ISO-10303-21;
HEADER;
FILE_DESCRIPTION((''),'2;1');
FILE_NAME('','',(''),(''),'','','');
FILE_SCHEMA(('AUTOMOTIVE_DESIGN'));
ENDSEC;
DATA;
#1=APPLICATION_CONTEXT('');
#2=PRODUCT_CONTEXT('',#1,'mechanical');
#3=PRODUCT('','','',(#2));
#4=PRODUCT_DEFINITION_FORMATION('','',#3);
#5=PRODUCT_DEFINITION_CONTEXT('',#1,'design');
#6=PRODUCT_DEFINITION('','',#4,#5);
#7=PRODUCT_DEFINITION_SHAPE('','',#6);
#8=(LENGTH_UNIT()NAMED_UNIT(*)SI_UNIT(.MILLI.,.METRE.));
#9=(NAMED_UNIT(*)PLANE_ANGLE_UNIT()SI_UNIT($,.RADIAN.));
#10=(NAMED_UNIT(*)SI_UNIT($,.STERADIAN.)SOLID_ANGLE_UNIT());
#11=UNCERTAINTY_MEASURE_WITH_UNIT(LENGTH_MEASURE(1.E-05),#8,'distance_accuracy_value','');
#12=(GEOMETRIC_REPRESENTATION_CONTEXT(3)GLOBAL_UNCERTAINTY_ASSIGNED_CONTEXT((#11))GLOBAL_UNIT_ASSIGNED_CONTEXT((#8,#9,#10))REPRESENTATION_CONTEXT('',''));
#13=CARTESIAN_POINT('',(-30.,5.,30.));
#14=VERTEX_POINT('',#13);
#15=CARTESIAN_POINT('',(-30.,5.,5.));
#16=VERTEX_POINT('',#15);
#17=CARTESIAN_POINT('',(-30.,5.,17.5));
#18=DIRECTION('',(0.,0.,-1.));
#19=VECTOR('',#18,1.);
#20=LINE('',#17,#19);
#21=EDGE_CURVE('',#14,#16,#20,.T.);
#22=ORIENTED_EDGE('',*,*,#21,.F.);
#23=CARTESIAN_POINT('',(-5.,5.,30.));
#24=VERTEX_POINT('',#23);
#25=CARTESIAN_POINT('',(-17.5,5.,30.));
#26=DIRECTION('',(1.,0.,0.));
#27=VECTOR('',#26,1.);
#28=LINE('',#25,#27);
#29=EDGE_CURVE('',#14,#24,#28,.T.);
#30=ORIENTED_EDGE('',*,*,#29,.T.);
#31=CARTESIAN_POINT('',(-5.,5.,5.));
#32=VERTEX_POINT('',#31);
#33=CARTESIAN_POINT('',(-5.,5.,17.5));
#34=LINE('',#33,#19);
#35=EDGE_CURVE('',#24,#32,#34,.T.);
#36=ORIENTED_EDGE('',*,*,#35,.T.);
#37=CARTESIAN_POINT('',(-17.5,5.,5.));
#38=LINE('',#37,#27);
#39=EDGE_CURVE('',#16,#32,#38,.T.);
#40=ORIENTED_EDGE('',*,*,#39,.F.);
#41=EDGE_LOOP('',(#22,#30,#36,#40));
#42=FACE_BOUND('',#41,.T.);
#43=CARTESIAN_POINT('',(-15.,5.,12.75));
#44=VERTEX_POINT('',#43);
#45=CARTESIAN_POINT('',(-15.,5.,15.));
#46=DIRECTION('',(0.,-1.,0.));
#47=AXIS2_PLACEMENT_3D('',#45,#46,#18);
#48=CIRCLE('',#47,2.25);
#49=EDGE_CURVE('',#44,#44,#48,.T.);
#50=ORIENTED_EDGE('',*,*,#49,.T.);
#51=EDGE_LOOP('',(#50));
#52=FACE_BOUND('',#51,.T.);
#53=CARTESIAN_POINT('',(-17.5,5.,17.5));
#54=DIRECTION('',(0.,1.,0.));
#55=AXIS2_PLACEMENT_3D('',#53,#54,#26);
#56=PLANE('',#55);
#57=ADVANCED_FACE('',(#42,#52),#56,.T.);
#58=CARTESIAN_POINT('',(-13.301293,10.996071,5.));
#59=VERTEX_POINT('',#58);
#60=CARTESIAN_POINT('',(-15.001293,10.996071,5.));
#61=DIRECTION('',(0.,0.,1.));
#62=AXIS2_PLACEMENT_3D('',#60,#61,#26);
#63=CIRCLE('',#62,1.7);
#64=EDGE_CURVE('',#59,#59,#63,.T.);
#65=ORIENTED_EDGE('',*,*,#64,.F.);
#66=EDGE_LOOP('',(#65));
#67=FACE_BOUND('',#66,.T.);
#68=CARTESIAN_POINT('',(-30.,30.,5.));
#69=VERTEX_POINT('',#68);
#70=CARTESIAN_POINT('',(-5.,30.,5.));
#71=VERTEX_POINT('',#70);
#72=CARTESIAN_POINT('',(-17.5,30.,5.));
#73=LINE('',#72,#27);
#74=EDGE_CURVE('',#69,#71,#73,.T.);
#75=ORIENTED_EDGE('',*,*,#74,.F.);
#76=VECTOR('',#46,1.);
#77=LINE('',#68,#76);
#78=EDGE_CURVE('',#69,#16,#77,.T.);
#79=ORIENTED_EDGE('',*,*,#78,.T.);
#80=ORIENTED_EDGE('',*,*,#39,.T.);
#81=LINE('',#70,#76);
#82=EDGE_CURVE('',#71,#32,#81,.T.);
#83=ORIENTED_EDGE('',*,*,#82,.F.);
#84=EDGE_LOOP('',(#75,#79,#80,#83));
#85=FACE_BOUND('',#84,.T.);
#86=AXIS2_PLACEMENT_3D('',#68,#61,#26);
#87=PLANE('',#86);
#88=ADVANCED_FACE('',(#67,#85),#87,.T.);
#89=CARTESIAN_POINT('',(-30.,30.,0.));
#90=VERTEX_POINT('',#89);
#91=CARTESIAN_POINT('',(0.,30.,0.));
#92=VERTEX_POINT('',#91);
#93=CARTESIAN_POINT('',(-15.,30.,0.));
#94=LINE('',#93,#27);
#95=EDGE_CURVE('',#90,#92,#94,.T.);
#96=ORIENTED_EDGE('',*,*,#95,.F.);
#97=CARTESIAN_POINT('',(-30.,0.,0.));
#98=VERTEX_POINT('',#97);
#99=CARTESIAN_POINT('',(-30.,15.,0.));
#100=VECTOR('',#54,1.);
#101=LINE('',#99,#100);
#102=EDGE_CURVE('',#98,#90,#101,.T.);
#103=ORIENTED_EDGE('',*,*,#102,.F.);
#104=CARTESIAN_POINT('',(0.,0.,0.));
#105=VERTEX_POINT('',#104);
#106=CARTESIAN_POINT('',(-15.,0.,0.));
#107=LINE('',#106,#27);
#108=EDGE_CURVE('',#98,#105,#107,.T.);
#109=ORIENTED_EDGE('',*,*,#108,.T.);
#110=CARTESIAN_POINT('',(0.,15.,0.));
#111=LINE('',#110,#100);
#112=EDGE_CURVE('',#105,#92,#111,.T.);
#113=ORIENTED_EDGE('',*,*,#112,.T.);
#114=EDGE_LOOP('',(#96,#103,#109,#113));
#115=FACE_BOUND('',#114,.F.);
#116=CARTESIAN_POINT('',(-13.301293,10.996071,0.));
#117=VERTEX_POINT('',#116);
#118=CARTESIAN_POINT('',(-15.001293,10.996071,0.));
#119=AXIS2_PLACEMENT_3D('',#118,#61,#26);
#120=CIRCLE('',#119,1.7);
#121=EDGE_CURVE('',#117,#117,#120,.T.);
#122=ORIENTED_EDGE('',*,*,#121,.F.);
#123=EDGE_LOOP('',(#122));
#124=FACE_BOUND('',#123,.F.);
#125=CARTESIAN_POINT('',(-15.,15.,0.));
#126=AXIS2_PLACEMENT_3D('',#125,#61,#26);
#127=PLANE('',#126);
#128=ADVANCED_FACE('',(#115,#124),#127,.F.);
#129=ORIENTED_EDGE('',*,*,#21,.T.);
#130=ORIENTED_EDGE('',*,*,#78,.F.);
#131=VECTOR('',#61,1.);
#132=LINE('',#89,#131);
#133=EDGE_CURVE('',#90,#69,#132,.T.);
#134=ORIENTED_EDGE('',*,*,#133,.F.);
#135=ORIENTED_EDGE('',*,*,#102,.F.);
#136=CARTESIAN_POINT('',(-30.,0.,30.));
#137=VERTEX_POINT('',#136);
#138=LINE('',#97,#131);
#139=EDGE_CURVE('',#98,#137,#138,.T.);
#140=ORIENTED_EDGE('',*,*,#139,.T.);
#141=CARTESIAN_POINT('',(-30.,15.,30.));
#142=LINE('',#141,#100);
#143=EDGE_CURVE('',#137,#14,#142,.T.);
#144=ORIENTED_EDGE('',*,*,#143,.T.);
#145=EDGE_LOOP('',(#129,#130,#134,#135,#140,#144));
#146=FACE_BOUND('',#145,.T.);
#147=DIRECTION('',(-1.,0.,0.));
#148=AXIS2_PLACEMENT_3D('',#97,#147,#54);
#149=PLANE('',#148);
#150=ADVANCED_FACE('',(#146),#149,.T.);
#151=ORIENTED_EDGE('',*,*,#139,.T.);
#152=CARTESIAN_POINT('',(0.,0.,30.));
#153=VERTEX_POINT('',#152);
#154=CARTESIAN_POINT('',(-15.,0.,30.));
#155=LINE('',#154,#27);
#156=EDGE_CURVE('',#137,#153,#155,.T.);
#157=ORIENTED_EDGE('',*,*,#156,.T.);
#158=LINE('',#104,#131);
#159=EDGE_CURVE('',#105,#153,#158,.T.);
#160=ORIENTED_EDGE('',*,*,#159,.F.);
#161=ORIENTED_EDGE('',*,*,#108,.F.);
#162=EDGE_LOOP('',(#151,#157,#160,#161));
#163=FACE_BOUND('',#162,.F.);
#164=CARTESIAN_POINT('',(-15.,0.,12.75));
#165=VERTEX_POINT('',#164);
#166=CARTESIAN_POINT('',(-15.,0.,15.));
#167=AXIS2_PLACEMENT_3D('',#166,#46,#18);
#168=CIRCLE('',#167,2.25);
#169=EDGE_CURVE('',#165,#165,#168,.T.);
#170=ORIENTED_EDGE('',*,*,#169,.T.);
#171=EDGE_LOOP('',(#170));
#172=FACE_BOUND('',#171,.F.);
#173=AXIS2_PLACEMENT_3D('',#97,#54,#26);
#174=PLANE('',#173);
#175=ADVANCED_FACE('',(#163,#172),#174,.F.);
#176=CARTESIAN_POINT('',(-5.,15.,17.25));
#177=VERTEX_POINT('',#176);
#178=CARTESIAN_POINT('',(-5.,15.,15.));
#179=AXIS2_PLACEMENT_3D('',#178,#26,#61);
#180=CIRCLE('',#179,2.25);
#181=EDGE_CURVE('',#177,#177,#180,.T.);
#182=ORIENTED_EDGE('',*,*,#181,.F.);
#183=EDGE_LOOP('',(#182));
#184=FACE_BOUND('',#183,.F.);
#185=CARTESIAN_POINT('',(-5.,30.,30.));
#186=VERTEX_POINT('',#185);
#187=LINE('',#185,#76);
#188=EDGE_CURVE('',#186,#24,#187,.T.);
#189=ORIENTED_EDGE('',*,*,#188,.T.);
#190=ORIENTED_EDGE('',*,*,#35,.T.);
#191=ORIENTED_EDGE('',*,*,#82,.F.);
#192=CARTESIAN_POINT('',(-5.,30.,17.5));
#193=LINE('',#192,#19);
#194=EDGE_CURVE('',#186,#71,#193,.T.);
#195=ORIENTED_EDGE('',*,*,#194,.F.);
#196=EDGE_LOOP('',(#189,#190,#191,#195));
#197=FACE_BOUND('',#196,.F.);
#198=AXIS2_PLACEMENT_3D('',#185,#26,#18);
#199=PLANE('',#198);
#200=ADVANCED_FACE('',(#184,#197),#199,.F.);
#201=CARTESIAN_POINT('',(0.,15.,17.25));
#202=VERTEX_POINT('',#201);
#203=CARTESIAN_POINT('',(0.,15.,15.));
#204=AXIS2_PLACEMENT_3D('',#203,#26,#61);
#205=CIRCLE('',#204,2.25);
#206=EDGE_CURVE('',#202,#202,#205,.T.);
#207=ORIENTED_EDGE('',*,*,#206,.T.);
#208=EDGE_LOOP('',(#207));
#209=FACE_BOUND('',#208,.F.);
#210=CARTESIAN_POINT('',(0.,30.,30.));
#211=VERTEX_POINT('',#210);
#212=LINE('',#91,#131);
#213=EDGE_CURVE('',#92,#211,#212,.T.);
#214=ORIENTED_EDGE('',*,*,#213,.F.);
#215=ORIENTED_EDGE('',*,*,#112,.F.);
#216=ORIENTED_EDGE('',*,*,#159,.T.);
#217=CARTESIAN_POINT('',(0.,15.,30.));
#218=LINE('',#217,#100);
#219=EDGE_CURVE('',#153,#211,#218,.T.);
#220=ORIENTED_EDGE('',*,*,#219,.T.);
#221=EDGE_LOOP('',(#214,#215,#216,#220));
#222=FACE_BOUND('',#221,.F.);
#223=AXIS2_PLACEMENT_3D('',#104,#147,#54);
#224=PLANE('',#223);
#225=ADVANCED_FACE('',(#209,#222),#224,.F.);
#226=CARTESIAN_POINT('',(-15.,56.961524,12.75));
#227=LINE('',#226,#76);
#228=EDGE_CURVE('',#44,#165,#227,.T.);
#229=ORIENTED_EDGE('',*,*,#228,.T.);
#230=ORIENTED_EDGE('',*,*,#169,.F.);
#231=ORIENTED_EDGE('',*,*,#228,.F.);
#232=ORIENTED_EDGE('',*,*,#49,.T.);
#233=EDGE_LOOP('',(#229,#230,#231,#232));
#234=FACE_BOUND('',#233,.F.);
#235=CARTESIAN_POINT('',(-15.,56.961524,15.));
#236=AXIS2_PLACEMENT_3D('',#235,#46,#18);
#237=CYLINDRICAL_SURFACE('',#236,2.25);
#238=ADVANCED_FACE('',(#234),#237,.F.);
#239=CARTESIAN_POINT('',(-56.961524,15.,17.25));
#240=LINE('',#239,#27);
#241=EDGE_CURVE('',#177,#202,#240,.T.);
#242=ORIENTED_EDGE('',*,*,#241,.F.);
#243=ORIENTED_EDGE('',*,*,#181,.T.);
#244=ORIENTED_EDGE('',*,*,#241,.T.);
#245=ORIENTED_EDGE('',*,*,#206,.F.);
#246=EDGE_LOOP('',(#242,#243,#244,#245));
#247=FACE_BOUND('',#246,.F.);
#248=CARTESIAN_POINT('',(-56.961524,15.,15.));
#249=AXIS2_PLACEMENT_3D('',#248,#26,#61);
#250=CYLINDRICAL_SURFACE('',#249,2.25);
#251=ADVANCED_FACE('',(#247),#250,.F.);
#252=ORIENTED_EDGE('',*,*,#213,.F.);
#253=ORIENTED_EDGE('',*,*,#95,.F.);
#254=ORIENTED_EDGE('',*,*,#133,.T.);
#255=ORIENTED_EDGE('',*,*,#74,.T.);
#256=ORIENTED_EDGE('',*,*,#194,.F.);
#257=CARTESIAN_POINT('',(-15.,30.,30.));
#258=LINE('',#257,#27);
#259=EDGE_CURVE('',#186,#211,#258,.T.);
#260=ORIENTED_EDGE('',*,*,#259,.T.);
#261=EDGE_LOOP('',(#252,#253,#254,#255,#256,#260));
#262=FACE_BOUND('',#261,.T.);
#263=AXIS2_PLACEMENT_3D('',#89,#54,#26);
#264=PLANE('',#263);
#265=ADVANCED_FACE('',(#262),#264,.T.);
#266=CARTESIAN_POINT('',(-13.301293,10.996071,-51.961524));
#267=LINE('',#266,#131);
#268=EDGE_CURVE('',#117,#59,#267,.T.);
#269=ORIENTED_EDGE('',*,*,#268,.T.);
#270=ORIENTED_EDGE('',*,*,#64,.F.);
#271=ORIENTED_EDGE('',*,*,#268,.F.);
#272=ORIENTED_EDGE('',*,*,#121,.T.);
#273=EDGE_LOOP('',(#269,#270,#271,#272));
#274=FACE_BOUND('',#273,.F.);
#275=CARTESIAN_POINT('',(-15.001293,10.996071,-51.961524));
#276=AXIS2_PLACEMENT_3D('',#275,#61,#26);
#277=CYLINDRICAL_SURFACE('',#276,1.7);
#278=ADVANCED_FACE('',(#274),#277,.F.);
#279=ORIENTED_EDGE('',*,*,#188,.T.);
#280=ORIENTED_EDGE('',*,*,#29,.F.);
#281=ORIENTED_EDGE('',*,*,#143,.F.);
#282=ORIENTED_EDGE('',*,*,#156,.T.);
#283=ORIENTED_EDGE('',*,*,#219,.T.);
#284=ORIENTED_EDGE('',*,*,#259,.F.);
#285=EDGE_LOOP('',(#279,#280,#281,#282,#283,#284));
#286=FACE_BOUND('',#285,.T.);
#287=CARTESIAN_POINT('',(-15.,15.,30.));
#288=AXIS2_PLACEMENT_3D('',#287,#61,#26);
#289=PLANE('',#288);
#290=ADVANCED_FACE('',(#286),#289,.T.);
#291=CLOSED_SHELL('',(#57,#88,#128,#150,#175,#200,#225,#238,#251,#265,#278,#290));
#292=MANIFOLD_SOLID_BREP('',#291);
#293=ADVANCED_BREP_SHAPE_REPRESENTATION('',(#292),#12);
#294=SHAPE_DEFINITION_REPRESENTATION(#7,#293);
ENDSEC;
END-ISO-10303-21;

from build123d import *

# Parameters (mm, degrees)
ESBO_O1_W                         = 30
ESBO_O1_H                         = 30
RESSALTO_EXTRUS_O1_DEPTH          = 30
ESBO_O3_W                         = 25
ESBO_O3_H                         = 25
CORTE_EXTRUS_O2_DEPTH             = 25
FURO_COM_FOLGA_DE_M41_D           = 4.5
FURO_COM_FOLGA_DE_M41_ON_FACE_2_D = 4.5
FURO_COM_FOLGA_DE_M32_D           = 3.4


with BuildPart() as part:
    # Esboço1 → Ressalto-extrusão1 (new body)
    with BuildSketch(Plane.XY):
        with Locations((-15, 15)):
            Rectangle(ESBO_O1_W, ESBO_O1_H)
    extrude(amount=RESSALTO_EXTRUS_O1_DEPTH)

    # Esboço3 → Corte-extrusão2 (cut)
    with BuildSketch(Plane(origin=(0, 30, 0), x_dir=(1, 0, 0), z_dir=(0, 1, 0))):
        with Locations((-17.5, -17.5)):
            Rectangle(ESBO_O3_W, ESBO_O3_H)
    extrude(amount=-CORTE_EXTRUS_O2_DEPTH, mode=Mode.SUBTRACT)

    # Furo com folga de M41 (through all)
    with Locations(Plane(origin=(-5, 15, 15), x_dir=(0, 0, -1), z_dir=(-1, 0, 0))):
        with Locations((0, 0)):
            Hole(FURO_COM_FOLGA_DE_M41_D / 2)

    # Furo com folga de M41 on face 2 (through all)
    with Locations(Plane(origin=(-15, 5, 15), x_dir=(0, 0, 1), z_dir=(0, 1, 0))):
        with Locations((0, 0)):
            Hole(FURO_COM_FOLGA_DE_M41_ON_FACE_2_D / 2)

    # Furo com folga de M32 (through all)
    with Locations(Plane(origin=(-15.001293069, 10.996070653, 0), x_dir=(-1, 0, 0), z_dir=(0, 0, -1))):
        with Locations((0, 0)):
            Hole(FURO_COM_FOLGA_DE_M32_D / 2)


solid = part.part
